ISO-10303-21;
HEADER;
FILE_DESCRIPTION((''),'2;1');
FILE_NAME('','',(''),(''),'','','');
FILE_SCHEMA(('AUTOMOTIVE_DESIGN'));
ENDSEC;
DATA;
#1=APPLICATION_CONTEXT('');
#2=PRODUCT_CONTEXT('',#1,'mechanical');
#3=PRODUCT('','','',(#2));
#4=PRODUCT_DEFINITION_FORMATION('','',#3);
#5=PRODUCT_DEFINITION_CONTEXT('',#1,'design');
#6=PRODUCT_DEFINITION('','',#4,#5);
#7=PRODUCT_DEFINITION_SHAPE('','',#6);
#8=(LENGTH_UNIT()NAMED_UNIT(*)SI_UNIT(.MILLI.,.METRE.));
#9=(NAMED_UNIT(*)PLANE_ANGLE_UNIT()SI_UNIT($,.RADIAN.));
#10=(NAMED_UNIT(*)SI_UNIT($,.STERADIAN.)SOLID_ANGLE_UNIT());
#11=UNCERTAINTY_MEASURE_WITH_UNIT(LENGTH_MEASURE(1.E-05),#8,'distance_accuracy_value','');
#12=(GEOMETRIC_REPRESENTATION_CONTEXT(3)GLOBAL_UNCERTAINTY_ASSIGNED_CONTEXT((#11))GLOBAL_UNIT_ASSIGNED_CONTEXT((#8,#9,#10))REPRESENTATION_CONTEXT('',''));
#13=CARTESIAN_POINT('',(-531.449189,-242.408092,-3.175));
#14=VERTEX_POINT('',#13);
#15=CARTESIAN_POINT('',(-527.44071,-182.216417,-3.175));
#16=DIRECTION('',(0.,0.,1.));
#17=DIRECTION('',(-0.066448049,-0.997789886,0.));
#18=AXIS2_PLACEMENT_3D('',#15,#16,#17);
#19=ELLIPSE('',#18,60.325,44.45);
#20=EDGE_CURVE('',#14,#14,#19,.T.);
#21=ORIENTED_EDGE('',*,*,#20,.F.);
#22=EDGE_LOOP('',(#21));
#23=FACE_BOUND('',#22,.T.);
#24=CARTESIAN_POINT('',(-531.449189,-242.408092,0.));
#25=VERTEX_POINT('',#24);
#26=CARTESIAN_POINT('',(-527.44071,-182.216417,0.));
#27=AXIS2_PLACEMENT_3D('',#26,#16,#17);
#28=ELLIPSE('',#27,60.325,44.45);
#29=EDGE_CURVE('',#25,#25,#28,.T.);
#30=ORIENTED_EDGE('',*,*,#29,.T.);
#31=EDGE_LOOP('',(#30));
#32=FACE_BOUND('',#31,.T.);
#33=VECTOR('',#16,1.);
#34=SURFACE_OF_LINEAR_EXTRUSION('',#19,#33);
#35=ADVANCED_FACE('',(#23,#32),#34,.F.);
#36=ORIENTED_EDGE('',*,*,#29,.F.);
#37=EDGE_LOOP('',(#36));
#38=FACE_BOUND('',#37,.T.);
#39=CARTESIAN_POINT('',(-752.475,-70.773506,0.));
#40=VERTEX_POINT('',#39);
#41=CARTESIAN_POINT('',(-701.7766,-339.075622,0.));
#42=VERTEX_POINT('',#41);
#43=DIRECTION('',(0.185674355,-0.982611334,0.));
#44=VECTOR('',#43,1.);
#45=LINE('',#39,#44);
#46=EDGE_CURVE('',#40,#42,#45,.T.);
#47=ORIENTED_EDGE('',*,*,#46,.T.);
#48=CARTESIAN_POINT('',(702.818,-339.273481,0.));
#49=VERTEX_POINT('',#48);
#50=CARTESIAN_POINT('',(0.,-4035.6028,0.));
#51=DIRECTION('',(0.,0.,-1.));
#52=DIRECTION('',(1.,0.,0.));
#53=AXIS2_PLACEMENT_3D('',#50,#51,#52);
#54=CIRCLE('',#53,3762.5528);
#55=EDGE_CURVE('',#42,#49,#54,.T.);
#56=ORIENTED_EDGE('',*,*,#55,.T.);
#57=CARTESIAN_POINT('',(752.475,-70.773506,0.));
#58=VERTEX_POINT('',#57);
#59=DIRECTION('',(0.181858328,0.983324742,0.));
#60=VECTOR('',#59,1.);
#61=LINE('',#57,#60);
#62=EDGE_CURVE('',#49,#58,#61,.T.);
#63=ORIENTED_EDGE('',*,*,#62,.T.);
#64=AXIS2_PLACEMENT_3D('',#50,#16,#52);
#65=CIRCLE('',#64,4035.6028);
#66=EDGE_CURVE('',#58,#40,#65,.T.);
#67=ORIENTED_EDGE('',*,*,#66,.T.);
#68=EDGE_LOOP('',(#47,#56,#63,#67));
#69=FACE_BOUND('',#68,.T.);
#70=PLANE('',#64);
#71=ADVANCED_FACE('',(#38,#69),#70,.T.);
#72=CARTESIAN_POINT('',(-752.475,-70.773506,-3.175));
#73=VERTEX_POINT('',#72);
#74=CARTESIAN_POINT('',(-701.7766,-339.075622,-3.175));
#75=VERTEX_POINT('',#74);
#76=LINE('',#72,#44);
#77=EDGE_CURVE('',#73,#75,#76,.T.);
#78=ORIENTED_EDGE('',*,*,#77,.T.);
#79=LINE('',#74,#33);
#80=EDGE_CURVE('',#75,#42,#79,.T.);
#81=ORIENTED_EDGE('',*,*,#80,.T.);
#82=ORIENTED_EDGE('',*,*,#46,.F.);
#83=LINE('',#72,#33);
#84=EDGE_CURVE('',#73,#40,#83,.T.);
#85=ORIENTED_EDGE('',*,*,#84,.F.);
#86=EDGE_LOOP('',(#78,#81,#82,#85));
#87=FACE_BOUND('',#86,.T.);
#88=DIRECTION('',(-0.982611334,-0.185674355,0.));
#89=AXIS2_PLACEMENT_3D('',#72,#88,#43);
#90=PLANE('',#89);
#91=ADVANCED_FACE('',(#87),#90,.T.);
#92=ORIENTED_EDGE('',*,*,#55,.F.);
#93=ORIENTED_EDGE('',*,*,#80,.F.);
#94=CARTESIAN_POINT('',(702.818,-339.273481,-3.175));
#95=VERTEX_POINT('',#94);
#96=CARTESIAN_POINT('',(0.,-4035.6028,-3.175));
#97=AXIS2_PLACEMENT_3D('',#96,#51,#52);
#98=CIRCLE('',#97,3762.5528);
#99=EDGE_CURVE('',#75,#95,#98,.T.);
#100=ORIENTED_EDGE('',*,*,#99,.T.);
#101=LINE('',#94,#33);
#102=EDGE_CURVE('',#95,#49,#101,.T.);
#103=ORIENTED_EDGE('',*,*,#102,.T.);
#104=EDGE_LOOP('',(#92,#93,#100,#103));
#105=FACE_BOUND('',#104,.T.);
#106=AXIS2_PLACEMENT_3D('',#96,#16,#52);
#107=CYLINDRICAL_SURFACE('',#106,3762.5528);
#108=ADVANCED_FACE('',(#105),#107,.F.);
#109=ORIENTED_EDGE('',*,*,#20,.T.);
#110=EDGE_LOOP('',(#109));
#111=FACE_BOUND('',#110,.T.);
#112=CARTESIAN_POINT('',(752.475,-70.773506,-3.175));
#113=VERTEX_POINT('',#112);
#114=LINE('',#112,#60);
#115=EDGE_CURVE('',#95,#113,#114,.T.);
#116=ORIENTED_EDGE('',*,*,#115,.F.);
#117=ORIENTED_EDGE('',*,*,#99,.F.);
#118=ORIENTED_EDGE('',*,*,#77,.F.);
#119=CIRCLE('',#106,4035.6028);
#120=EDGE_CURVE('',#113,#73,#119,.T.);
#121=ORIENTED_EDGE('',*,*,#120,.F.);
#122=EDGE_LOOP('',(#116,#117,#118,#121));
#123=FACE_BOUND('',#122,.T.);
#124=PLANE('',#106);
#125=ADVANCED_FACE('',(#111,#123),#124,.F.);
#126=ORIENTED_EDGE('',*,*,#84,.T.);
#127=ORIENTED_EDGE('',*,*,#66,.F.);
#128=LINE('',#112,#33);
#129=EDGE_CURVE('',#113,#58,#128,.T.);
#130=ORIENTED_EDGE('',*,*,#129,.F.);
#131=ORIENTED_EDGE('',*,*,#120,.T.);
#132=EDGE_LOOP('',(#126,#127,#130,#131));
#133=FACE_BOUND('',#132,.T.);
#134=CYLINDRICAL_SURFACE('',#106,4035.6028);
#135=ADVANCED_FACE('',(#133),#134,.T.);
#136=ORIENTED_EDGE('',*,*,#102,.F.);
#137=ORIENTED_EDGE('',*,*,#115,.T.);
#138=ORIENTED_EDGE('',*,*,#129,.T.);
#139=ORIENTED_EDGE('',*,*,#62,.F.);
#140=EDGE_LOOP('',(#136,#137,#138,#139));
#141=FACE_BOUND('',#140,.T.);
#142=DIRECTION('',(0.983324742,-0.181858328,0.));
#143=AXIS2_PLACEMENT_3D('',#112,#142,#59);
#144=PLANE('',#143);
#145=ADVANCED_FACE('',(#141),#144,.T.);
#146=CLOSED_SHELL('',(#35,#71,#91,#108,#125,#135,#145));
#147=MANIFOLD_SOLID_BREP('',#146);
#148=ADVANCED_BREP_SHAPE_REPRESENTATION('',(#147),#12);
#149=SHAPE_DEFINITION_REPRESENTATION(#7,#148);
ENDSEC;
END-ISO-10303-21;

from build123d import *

# Parameters (mm, degrees)
SKETCH1_RX         = 60.325
SKETCH1_RY         = 44.45
BASE_EXTRUDE_DEPTH = 3.175


with BuildPart() as part:
    # Sketch1 → Base-Extrude (new body)
    with BuildSketch(Plane.XY):
        with BuildLine():
            Line((-752.475, -70.773505599), (-701.7766, -339.075622164))
            ThreePointArc((-701.7766, -339.075622164), (0.530014677, -273.05003733), (702.818, -339.273481384))
            Line((702.818, -339.273481384), (752.475, -70.773505599))
            ThreePointArc((752.475, -70.773505599), (0, 0), (-752.475, -70.773505599))
        make_face()
        with Locations(Location((-527.440710052, -182.216417238), (0, 0, -93.81))):
            Ellipse(SKETCH1_RX, SKETCH1_RY, mode=Mode.SUBTRACT)
    extrude(amount=-BASE_EXTRUDE_DEPTH)


solid = part.part
